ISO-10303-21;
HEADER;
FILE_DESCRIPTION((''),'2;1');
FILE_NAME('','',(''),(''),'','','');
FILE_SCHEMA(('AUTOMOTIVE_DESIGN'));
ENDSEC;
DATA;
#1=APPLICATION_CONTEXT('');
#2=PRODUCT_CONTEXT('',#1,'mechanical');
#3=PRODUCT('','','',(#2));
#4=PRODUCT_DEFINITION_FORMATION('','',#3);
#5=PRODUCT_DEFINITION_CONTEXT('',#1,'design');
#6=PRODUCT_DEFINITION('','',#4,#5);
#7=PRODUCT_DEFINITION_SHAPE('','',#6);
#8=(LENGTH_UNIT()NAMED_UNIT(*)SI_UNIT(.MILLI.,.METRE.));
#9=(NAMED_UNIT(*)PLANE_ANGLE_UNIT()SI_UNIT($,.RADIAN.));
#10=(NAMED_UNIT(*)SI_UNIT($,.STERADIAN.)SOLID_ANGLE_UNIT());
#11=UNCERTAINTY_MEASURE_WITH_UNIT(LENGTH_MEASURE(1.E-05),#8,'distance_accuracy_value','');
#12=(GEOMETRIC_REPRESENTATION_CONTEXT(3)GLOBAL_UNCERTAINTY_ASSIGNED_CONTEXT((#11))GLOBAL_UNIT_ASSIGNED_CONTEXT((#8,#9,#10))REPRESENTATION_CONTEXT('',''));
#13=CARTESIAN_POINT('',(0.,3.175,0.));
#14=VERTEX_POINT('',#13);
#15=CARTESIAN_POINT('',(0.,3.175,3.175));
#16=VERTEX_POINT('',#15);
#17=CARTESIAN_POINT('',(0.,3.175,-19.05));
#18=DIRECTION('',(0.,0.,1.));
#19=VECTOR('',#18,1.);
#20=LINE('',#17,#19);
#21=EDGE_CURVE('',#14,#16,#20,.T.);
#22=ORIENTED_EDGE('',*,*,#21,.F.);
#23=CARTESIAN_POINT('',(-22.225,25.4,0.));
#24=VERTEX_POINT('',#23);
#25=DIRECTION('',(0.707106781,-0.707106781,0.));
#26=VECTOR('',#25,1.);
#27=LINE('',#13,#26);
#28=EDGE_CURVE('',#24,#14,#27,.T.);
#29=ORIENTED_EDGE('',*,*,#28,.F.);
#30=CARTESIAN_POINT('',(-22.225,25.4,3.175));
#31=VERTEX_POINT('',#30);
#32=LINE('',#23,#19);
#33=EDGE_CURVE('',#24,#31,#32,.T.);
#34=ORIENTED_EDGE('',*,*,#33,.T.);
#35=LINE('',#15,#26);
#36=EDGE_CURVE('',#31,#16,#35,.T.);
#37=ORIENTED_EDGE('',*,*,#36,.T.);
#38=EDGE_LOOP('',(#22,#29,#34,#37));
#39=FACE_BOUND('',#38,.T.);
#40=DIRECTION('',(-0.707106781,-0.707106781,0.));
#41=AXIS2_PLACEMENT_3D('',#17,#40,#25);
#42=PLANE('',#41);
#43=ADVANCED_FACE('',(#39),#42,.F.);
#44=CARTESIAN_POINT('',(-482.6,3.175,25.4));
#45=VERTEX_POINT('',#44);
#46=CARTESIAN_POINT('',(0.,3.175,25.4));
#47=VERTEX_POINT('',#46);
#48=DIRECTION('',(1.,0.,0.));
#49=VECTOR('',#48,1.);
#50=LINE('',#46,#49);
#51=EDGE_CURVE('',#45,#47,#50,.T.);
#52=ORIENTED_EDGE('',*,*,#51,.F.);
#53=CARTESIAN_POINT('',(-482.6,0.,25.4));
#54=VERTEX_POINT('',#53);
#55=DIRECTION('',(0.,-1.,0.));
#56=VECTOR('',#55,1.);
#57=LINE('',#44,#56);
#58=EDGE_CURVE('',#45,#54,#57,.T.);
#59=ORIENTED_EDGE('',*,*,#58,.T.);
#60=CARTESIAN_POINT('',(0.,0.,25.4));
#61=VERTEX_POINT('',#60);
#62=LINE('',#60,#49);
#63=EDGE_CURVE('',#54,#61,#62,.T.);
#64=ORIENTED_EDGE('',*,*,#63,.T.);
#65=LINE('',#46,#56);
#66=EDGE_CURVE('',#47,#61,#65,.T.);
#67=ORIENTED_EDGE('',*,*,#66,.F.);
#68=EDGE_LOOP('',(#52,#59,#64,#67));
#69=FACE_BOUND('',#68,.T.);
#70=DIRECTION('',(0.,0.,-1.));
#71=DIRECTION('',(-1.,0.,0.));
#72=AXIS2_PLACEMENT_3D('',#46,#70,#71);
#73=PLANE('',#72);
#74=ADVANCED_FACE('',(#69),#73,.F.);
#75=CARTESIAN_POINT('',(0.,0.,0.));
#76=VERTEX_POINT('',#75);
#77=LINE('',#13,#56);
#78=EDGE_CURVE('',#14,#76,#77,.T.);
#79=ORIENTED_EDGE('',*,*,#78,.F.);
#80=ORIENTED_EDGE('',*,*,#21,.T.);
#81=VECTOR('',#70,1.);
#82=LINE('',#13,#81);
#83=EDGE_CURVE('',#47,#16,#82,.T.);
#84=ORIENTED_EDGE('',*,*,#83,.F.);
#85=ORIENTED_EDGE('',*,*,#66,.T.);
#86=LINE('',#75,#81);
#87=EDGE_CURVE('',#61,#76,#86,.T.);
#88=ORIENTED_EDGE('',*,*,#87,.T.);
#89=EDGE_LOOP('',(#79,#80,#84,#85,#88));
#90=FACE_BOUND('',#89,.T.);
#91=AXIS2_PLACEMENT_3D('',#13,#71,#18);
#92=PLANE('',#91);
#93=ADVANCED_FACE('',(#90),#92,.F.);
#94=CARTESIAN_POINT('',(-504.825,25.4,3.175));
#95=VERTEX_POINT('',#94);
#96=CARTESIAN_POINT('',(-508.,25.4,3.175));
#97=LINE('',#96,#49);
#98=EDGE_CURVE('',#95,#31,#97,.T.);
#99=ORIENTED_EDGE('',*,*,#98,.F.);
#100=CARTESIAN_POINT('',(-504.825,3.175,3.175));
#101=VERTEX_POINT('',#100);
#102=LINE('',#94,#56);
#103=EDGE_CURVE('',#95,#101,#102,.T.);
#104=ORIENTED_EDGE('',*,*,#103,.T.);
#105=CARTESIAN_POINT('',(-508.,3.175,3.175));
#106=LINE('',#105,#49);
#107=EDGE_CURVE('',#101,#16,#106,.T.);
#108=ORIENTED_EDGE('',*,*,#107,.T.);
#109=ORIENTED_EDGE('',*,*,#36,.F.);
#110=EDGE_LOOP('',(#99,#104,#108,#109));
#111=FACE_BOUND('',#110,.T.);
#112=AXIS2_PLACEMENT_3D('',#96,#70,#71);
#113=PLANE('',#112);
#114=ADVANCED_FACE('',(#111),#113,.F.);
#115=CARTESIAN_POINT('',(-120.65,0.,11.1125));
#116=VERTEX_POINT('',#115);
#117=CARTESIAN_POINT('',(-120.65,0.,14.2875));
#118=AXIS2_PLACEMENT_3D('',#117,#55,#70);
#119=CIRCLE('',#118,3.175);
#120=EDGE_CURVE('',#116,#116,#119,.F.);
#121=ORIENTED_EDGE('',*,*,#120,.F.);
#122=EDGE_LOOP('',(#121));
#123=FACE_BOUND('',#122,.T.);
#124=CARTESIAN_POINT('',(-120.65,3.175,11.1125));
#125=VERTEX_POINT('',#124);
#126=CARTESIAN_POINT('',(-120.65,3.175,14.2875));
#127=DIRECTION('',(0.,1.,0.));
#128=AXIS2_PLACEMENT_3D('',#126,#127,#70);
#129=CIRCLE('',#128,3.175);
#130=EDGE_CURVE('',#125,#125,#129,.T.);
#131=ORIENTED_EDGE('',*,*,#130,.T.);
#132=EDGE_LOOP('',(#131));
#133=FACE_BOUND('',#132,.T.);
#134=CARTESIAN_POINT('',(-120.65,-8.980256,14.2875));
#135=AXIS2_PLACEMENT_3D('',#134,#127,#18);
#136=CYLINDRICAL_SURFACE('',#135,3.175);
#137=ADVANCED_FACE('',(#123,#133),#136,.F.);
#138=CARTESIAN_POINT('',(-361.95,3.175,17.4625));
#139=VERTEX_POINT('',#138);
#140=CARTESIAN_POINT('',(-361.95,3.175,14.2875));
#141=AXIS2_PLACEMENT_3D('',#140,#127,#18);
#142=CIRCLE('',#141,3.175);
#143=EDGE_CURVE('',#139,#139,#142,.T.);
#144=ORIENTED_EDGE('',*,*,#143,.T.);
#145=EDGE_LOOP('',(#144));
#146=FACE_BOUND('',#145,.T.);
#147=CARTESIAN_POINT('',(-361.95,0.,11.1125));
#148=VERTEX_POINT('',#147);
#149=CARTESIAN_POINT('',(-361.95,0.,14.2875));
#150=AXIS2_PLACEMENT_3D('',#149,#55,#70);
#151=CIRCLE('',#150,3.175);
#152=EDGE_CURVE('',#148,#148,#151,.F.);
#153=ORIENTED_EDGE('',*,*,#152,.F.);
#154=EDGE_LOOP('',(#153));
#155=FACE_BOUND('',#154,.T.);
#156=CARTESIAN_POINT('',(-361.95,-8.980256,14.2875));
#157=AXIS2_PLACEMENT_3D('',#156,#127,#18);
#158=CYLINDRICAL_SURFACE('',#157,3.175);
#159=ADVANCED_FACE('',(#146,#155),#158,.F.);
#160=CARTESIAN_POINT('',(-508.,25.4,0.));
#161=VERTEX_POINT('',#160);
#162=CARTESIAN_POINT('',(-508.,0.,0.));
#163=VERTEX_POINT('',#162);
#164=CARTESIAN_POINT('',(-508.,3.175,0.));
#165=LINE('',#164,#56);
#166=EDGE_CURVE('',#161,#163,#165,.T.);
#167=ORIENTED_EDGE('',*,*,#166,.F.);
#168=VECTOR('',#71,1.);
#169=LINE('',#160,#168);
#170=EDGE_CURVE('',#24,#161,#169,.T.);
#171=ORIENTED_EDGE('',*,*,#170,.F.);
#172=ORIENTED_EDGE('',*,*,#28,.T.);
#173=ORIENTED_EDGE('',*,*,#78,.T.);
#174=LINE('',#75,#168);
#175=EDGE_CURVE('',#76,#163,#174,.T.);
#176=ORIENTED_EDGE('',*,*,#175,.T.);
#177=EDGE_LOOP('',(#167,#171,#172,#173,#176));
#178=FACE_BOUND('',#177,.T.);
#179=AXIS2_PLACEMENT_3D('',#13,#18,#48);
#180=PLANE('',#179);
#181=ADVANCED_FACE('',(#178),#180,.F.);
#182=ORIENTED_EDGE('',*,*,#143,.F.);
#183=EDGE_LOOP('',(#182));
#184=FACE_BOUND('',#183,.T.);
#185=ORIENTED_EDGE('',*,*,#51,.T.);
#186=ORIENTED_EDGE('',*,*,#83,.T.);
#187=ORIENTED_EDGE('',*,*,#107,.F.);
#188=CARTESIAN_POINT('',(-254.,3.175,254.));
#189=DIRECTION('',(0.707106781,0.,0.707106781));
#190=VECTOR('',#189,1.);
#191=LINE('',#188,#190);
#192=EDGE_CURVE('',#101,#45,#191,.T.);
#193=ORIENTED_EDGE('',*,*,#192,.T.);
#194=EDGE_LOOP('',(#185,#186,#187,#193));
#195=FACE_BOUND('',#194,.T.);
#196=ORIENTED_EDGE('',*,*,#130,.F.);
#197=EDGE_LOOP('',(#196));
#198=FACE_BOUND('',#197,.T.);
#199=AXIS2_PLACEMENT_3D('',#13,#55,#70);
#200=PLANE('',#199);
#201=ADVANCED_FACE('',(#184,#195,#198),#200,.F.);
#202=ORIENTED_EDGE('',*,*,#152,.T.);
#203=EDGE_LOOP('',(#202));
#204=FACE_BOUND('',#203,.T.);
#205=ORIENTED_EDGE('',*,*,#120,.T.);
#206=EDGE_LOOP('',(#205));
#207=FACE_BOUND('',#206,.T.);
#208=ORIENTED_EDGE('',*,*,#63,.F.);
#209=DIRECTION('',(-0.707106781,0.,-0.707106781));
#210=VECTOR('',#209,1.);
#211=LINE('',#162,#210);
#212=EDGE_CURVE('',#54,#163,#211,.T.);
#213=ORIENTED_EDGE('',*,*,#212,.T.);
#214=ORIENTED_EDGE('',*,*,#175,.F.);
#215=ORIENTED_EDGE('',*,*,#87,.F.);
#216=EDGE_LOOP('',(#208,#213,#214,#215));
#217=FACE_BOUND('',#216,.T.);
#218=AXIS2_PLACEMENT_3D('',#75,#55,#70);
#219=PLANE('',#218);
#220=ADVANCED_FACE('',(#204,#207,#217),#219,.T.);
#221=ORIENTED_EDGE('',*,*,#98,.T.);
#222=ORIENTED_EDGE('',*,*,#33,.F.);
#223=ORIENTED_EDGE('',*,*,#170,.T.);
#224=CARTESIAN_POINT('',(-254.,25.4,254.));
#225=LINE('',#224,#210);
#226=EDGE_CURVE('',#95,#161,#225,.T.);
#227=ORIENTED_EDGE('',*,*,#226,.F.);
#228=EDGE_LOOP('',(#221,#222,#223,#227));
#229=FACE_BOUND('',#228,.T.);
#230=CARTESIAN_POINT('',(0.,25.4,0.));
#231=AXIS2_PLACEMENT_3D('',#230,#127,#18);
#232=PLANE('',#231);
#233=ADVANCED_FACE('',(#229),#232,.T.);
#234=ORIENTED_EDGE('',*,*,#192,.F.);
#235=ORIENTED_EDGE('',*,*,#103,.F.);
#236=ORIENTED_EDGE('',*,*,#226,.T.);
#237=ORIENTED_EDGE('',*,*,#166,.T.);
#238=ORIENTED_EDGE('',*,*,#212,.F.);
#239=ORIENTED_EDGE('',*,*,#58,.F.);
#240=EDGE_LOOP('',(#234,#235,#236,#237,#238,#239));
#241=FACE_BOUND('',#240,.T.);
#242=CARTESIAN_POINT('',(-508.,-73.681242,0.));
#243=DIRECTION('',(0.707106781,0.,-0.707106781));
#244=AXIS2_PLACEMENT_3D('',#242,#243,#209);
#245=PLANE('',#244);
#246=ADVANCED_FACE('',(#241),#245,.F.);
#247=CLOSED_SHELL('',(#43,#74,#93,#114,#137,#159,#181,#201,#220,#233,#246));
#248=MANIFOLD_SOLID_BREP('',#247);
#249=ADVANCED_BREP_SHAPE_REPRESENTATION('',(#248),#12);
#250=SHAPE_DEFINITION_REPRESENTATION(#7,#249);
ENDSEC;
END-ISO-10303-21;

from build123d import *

# Parameters (mm, degrees)
SKETCH1_W           = 508
SKETCH1_H           = 25.4
BOSS_EXTRUDE1_DEPTH = 3.175
SKETCH2_W           = 508
SKETCH2_H           = 3.175
BOSS_EXTRUDE2_DEPTH = 22.225
CUT_EXTRUDE4_REACH  = 511.268
CUT_EXTRUDE5_DEPTH  = 22.225
SKETCH9_R           = 3.175
CUT_EXTRUDE6_DEPTH  = 3.175


with BuildPart() as part:
    # Sketch1 → Boss-Extrude1 (new body)
    with BuildSketch(Plane(origin=(0, 0, 0), x_dir=(1, 0, 0), z_dir=(0, 1, 0))):
        with Locations((-254, -12.7)):
            Rectangle(SKETCH1_W, SKETCH1_H)
    extrude(amount=BOSS_EXTRUDE1_DEPTH)

    # Sketch2 → Boss-Extrude2 (add)
    with BuildSketch(Plane(origin=(0, 3.175, 0), x_dir=(1, 0, 0), z_dir=(0, 1, 0))):
        with Locations((-254, -1.5875)):
            Rectangle(SKETCH2_W, SKETCH2_H)
    extrude(amount=BOSS_EXTRUDE2_DEPTH)

    # Cut-Extrude4: up to this face of the body (flat: up to its plane)
    cut_extrude4_end = Plane(part.part.faces().sort_by_distance((-254, 0, 12.7))[0])
    # Sketch7 → Cut-Extrude4 (cut, up to the picked face)
    with BuildSketch(Plane(origin=(0, 25.4, 0), x_dir=(1, 0, 0), z_dir=(0, 1, 0)), mode=Mode.PRIVATE) as cut_extrude4_sk1:
        Polygon((-508, 0), (-465.114238784, -42.885761216), (-525.028652123, -42.885761216), align=None)
    cut_extrude4_tool1 = split(extrude(cut_extrude4_sk1.sketch, amount=-CUT_EXTRUDE4_REACH, mode=Mode.PRIVATE), bisect_by=cut_extrude4_end, keep=Keep.BOTH, mode=Mode.PRIVATE)
    add(cut_extrude4_tool1.solids().sort_by(Axis((-499.380964, 25.4, 28.590507), (0, -1, 0)))[0], mode=Mode.SUBTRACT)

    # Sketch8 → Cut-Extrude5 (cut)
    with BuildSketch(Plane.XY.offset(3.175)):
        Polygon((0, 3.175), (-40.651364309, 43.826364309), (40.603016419, 27.12928401), align=None)
    extrude(amount=-CUT_EXTRUDE5_DEPTH, mode=Mode.SUBTRACT)

    # Sketch9 → Cut-Extrude6 (cut)
    with BuildSketch(Plane(origin=(0, 3.175, 0), x_dir=(1, 0, 0), z_dir=(0, 1, 0))):
        with Locations(Location((-361.95, -14.2875, 0), (0, 0, 270))):
            Circle(SKETCH9_R)
        with Locations(Location((-120.65, -14.2875, 0), (0, 0, 90))):
            Circle(SKETCH9_R)
    extrude(amount=-CUT_EXTRUDE6_DEPTH, mode=Mode.SUBTRACT)


solid = part.part
